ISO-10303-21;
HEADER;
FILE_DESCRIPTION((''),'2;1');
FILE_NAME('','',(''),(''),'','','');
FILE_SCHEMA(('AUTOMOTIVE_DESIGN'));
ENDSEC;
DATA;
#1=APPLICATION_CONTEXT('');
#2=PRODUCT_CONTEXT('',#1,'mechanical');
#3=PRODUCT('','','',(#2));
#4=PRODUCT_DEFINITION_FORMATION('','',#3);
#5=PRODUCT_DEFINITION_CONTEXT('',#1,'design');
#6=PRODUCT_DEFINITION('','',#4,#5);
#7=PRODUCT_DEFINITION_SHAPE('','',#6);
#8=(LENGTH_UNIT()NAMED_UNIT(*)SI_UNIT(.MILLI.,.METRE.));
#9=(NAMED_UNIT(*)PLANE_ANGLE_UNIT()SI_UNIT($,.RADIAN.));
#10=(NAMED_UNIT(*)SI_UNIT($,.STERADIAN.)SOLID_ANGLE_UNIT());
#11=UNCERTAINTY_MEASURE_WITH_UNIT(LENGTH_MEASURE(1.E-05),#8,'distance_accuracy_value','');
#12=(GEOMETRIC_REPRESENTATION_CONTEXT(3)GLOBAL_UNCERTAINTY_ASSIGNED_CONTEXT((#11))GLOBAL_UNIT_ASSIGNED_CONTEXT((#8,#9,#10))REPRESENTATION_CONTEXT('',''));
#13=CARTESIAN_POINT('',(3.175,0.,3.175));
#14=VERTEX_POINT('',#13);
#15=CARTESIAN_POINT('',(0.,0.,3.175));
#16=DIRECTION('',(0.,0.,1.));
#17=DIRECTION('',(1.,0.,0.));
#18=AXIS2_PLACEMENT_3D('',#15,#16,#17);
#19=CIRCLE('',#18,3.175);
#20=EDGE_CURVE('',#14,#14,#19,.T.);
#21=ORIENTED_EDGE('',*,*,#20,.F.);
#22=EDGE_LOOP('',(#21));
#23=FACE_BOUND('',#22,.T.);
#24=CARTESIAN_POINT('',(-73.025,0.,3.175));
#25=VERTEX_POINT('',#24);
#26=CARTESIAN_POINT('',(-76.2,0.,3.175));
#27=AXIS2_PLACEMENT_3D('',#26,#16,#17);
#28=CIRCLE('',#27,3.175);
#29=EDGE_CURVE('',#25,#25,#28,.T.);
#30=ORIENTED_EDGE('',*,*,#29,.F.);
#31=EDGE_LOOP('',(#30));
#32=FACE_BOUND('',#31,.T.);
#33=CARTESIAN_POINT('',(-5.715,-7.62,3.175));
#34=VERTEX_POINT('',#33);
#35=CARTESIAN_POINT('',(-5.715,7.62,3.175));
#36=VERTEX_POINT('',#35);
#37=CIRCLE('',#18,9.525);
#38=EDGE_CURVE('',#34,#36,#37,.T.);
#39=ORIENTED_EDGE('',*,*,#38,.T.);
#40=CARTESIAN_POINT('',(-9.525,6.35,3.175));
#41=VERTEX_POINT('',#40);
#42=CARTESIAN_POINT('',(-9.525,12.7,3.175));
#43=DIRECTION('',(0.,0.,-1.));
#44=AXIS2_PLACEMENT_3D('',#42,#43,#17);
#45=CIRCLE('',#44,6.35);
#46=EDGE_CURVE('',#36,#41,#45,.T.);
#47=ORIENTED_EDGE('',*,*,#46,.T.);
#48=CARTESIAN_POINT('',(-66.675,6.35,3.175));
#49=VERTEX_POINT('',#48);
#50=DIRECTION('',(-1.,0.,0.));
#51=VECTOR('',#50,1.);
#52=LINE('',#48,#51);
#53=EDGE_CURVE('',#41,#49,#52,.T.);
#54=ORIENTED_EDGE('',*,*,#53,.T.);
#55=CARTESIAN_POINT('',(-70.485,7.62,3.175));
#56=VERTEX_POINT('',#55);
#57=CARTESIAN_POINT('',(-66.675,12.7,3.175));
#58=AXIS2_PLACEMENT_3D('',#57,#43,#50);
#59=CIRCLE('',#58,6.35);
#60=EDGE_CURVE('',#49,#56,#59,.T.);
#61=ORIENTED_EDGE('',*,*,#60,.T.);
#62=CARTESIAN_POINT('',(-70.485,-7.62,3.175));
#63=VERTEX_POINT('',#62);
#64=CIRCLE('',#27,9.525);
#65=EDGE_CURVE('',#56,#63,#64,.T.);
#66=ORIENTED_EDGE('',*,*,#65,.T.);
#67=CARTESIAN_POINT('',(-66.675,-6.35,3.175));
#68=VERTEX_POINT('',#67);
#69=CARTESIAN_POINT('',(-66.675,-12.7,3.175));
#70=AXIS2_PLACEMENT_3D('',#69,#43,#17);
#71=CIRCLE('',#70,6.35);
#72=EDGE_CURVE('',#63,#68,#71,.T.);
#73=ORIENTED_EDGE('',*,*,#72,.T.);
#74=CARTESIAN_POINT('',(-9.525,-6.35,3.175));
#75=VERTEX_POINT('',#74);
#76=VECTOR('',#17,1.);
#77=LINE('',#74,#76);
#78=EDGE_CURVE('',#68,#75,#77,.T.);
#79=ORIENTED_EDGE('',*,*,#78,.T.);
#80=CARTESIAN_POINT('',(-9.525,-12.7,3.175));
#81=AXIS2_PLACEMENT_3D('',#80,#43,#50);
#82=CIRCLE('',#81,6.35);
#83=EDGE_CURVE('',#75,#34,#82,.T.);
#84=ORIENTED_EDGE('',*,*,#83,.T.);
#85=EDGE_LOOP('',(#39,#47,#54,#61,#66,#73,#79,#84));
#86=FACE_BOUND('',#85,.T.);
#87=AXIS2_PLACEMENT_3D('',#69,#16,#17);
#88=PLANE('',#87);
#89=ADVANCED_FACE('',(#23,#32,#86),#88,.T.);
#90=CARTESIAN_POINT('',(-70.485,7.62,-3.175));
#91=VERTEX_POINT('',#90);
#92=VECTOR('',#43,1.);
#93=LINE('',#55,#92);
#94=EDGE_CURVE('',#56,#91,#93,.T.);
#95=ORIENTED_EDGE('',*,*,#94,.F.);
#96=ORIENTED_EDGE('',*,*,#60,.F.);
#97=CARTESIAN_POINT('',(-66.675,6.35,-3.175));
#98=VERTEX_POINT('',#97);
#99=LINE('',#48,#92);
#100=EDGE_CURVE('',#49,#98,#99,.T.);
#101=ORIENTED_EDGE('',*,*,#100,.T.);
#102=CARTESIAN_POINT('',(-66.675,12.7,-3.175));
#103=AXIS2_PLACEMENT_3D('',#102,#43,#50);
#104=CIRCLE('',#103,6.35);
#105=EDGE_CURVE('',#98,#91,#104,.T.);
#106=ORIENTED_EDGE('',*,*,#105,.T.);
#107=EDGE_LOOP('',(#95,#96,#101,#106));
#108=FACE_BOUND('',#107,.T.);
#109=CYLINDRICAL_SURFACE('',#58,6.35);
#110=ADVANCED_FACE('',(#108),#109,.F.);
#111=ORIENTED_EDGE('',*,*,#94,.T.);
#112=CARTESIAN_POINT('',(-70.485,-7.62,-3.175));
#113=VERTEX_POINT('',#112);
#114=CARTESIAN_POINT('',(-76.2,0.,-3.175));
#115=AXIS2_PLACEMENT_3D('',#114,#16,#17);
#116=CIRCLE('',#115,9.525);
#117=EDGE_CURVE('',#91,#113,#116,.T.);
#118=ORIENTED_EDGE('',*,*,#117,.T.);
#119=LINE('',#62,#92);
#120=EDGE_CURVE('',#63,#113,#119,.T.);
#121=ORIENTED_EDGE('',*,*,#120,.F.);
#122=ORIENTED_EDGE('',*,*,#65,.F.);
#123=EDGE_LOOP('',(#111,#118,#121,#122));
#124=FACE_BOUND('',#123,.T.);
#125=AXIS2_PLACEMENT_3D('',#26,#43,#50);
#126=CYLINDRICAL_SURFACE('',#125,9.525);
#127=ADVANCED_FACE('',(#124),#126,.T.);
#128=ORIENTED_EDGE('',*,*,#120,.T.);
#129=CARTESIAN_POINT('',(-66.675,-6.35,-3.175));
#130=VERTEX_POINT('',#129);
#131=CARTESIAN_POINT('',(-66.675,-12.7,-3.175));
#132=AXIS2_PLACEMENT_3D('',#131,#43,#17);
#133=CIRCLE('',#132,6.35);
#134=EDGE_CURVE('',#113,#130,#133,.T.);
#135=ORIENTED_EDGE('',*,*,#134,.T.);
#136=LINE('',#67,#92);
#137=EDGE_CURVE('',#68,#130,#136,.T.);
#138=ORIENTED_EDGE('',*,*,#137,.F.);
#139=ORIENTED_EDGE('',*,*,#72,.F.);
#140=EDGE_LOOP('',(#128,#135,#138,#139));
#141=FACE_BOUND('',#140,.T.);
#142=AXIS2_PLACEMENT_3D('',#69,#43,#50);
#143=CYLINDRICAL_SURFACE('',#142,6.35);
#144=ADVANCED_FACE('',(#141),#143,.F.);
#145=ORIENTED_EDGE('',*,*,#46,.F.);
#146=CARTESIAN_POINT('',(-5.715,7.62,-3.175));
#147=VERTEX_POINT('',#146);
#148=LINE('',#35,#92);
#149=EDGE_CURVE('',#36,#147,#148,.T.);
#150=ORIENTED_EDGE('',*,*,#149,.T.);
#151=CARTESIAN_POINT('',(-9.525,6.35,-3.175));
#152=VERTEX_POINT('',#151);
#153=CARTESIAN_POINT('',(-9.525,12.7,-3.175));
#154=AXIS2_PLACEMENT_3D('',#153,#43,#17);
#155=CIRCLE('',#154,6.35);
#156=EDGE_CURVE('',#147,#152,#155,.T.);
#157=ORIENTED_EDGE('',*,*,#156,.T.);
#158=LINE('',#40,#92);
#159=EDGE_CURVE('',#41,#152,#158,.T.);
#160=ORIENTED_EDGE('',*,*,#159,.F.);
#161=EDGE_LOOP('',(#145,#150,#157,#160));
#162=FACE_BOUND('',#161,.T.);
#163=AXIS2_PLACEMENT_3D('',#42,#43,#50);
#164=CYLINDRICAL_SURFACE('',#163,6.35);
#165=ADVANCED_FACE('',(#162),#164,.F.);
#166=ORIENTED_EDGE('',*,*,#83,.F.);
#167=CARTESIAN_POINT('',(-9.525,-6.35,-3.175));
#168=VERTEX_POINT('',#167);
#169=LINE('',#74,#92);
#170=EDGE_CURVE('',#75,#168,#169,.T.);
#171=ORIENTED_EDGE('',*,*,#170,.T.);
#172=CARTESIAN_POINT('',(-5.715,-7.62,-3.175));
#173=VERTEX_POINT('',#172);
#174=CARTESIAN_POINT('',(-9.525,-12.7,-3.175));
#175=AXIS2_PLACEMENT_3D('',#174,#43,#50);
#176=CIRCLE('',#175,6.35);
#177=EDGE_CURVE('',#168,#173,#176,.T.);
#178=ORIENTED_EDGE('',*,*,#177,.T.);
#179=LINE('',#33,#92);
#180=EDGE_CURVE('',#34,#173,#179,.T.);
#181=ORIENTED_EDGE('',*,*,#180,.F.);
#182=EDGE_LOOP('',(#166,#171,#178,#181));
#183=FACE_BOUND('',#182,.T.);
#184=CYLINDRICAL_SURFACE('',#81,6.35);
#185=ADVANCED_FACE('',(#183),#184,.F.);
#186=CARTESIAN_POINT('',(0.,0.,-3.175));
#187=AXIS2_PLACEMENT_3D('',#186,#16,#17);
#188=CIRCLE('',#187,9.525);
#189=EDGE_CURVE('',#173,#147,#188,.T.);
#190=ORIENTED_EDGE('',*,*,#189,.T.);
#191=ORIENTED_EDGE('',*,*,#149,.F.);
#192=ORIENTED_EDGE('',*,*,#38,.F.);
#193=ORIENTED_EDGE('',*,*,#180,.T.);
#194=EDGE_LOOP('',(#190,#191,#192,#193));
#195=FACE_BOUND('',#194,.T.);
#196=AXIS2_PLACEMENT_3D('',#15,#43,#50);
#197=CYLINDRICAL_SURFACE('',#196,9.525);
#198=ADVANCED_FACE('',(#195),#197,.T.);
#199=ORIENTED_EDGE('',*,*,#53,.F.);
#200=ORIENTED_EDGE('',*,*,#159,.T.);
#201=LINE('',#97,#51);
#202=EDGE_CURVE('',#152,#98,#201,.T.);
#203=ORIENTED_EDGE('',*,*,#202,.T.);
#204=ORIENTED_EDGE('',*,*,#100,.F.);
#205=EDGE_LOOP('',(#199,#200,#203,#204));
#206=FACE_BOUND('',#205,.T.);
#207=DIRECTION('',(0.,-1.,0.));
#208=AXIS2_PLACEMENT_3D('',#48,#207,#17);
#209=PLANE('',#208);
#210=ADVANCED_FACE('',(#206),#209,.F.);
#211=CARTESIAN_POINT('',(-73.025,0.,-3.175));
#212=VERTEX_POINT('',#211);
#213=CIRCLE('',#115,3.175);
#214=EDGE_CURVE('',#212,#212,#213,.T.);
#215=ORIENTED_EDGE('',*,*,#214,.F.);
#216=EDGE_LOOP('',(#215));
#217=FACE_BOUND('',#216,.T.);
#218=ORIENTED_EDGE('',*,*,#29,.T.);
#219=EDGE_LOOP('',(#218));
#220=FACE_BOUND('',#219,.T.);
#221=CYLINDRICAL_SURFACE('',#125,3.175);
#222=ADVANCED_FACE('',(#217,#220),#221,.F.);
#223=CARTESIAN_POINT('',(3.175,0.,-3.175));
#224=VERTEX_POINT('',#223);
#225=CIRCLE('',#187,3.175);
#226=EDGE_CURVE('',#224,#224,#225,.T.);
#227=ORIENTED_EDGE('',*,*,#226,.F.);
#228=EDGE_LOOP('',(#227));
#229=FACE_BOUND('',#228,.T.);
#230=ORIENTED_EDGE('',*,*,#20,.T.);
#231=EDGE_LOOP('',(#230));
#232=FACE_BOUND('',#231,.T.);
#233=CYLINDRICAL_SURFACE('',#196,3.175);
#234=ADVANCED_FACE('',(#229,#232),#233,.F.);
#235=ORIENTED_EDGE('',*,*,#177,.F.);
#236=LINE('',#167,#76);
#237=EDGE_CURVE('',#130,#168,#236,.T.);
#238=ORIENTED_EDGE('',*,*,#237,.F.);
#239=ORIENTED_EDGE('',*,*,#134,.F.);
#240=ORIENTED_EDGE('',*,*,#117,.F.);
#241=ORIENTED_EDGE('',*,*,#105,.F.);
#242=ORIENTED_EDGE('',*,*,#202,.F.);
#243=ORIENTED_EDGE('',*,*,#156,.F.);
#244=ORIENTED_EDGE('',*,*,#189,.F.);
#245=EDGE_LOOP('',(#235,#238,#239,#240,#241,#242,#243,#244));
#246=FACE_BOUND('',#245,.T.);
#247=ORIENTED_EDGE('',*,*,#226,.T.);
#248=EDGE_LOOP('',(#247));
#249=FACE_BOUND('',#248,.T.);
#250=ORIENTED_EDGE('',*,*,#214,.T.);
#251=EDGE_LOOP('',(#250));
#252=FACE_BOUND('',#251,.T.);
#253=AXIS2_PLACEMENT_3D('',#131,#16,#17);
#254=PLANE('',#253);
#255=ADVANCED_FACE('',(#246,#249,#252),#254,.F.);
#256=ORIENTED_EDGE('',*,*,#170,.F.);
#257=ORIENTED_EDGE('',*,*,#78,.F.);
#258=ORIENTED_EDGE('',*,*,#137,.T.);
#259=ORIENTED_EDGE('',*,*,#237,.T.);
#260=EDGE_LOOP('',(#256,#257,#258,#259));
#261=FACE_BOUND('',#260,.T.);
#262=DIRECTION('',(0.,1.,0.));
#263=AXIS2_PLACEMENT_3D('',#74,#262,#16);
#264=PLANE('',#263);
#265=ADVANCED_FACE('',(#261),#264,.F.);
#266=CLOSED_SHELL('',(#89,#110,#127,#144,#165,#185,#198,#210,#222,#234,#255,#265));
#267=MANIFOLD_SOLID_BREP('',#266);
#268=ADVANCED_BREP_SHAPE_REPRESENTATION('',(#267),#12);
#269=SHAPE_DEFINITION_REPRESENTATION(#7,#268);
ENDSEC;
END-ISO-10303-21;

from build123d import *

# Parameters (mm, degrees)
SKETCH1_R           = 3.175
BOSS_EXTRUDE1_DEPTH = 3.175


with BuildPart() as part:
    # Sketch1 → Boss-Extrude1 (new, symmetric)
    with BuildSketch(Plane.XY):
        with BuildLine():
            Line((-66.675, 6.35), (-9.525, 6.35))
            ThreePointArc((-9.525, 6.35), (-7.516953686, 6.675861057), (-5.715, 7.62))
            ThreePointArc((-5.715, 7.62), (9.525, 0), (-5.715, -7.62))
            ThreePointArc((-5.715, -7.62), (-7.516953686, -6.675861057), (-9.525, -6.35))
            Line((-9.525, -6.35), (-66.675, -6.35))
            ThreePointArc((-66.675, -6.35), (-68.683046314, -6.675861057), (-70.485, -7.62))
            ThreePointArc((-70.485, -7.62), (-85.725, 0), (-70.485, 7.62))
            ThreePointArc((-70.485, 7.62), (-68.683046314, 6.675861057), (-66.675, 6.35))
        make_face()
        with Locations((-76.2, 0)):
            Circle(SKETCH1_R, mode=Mode.SUBTRACT)
        Circle(SKETCH1_R, mode=Mode.SUBTRACT)
    extrude(amount=BOSS_EXTRUDE1_DEPTH, both=True)


solid = part.part
